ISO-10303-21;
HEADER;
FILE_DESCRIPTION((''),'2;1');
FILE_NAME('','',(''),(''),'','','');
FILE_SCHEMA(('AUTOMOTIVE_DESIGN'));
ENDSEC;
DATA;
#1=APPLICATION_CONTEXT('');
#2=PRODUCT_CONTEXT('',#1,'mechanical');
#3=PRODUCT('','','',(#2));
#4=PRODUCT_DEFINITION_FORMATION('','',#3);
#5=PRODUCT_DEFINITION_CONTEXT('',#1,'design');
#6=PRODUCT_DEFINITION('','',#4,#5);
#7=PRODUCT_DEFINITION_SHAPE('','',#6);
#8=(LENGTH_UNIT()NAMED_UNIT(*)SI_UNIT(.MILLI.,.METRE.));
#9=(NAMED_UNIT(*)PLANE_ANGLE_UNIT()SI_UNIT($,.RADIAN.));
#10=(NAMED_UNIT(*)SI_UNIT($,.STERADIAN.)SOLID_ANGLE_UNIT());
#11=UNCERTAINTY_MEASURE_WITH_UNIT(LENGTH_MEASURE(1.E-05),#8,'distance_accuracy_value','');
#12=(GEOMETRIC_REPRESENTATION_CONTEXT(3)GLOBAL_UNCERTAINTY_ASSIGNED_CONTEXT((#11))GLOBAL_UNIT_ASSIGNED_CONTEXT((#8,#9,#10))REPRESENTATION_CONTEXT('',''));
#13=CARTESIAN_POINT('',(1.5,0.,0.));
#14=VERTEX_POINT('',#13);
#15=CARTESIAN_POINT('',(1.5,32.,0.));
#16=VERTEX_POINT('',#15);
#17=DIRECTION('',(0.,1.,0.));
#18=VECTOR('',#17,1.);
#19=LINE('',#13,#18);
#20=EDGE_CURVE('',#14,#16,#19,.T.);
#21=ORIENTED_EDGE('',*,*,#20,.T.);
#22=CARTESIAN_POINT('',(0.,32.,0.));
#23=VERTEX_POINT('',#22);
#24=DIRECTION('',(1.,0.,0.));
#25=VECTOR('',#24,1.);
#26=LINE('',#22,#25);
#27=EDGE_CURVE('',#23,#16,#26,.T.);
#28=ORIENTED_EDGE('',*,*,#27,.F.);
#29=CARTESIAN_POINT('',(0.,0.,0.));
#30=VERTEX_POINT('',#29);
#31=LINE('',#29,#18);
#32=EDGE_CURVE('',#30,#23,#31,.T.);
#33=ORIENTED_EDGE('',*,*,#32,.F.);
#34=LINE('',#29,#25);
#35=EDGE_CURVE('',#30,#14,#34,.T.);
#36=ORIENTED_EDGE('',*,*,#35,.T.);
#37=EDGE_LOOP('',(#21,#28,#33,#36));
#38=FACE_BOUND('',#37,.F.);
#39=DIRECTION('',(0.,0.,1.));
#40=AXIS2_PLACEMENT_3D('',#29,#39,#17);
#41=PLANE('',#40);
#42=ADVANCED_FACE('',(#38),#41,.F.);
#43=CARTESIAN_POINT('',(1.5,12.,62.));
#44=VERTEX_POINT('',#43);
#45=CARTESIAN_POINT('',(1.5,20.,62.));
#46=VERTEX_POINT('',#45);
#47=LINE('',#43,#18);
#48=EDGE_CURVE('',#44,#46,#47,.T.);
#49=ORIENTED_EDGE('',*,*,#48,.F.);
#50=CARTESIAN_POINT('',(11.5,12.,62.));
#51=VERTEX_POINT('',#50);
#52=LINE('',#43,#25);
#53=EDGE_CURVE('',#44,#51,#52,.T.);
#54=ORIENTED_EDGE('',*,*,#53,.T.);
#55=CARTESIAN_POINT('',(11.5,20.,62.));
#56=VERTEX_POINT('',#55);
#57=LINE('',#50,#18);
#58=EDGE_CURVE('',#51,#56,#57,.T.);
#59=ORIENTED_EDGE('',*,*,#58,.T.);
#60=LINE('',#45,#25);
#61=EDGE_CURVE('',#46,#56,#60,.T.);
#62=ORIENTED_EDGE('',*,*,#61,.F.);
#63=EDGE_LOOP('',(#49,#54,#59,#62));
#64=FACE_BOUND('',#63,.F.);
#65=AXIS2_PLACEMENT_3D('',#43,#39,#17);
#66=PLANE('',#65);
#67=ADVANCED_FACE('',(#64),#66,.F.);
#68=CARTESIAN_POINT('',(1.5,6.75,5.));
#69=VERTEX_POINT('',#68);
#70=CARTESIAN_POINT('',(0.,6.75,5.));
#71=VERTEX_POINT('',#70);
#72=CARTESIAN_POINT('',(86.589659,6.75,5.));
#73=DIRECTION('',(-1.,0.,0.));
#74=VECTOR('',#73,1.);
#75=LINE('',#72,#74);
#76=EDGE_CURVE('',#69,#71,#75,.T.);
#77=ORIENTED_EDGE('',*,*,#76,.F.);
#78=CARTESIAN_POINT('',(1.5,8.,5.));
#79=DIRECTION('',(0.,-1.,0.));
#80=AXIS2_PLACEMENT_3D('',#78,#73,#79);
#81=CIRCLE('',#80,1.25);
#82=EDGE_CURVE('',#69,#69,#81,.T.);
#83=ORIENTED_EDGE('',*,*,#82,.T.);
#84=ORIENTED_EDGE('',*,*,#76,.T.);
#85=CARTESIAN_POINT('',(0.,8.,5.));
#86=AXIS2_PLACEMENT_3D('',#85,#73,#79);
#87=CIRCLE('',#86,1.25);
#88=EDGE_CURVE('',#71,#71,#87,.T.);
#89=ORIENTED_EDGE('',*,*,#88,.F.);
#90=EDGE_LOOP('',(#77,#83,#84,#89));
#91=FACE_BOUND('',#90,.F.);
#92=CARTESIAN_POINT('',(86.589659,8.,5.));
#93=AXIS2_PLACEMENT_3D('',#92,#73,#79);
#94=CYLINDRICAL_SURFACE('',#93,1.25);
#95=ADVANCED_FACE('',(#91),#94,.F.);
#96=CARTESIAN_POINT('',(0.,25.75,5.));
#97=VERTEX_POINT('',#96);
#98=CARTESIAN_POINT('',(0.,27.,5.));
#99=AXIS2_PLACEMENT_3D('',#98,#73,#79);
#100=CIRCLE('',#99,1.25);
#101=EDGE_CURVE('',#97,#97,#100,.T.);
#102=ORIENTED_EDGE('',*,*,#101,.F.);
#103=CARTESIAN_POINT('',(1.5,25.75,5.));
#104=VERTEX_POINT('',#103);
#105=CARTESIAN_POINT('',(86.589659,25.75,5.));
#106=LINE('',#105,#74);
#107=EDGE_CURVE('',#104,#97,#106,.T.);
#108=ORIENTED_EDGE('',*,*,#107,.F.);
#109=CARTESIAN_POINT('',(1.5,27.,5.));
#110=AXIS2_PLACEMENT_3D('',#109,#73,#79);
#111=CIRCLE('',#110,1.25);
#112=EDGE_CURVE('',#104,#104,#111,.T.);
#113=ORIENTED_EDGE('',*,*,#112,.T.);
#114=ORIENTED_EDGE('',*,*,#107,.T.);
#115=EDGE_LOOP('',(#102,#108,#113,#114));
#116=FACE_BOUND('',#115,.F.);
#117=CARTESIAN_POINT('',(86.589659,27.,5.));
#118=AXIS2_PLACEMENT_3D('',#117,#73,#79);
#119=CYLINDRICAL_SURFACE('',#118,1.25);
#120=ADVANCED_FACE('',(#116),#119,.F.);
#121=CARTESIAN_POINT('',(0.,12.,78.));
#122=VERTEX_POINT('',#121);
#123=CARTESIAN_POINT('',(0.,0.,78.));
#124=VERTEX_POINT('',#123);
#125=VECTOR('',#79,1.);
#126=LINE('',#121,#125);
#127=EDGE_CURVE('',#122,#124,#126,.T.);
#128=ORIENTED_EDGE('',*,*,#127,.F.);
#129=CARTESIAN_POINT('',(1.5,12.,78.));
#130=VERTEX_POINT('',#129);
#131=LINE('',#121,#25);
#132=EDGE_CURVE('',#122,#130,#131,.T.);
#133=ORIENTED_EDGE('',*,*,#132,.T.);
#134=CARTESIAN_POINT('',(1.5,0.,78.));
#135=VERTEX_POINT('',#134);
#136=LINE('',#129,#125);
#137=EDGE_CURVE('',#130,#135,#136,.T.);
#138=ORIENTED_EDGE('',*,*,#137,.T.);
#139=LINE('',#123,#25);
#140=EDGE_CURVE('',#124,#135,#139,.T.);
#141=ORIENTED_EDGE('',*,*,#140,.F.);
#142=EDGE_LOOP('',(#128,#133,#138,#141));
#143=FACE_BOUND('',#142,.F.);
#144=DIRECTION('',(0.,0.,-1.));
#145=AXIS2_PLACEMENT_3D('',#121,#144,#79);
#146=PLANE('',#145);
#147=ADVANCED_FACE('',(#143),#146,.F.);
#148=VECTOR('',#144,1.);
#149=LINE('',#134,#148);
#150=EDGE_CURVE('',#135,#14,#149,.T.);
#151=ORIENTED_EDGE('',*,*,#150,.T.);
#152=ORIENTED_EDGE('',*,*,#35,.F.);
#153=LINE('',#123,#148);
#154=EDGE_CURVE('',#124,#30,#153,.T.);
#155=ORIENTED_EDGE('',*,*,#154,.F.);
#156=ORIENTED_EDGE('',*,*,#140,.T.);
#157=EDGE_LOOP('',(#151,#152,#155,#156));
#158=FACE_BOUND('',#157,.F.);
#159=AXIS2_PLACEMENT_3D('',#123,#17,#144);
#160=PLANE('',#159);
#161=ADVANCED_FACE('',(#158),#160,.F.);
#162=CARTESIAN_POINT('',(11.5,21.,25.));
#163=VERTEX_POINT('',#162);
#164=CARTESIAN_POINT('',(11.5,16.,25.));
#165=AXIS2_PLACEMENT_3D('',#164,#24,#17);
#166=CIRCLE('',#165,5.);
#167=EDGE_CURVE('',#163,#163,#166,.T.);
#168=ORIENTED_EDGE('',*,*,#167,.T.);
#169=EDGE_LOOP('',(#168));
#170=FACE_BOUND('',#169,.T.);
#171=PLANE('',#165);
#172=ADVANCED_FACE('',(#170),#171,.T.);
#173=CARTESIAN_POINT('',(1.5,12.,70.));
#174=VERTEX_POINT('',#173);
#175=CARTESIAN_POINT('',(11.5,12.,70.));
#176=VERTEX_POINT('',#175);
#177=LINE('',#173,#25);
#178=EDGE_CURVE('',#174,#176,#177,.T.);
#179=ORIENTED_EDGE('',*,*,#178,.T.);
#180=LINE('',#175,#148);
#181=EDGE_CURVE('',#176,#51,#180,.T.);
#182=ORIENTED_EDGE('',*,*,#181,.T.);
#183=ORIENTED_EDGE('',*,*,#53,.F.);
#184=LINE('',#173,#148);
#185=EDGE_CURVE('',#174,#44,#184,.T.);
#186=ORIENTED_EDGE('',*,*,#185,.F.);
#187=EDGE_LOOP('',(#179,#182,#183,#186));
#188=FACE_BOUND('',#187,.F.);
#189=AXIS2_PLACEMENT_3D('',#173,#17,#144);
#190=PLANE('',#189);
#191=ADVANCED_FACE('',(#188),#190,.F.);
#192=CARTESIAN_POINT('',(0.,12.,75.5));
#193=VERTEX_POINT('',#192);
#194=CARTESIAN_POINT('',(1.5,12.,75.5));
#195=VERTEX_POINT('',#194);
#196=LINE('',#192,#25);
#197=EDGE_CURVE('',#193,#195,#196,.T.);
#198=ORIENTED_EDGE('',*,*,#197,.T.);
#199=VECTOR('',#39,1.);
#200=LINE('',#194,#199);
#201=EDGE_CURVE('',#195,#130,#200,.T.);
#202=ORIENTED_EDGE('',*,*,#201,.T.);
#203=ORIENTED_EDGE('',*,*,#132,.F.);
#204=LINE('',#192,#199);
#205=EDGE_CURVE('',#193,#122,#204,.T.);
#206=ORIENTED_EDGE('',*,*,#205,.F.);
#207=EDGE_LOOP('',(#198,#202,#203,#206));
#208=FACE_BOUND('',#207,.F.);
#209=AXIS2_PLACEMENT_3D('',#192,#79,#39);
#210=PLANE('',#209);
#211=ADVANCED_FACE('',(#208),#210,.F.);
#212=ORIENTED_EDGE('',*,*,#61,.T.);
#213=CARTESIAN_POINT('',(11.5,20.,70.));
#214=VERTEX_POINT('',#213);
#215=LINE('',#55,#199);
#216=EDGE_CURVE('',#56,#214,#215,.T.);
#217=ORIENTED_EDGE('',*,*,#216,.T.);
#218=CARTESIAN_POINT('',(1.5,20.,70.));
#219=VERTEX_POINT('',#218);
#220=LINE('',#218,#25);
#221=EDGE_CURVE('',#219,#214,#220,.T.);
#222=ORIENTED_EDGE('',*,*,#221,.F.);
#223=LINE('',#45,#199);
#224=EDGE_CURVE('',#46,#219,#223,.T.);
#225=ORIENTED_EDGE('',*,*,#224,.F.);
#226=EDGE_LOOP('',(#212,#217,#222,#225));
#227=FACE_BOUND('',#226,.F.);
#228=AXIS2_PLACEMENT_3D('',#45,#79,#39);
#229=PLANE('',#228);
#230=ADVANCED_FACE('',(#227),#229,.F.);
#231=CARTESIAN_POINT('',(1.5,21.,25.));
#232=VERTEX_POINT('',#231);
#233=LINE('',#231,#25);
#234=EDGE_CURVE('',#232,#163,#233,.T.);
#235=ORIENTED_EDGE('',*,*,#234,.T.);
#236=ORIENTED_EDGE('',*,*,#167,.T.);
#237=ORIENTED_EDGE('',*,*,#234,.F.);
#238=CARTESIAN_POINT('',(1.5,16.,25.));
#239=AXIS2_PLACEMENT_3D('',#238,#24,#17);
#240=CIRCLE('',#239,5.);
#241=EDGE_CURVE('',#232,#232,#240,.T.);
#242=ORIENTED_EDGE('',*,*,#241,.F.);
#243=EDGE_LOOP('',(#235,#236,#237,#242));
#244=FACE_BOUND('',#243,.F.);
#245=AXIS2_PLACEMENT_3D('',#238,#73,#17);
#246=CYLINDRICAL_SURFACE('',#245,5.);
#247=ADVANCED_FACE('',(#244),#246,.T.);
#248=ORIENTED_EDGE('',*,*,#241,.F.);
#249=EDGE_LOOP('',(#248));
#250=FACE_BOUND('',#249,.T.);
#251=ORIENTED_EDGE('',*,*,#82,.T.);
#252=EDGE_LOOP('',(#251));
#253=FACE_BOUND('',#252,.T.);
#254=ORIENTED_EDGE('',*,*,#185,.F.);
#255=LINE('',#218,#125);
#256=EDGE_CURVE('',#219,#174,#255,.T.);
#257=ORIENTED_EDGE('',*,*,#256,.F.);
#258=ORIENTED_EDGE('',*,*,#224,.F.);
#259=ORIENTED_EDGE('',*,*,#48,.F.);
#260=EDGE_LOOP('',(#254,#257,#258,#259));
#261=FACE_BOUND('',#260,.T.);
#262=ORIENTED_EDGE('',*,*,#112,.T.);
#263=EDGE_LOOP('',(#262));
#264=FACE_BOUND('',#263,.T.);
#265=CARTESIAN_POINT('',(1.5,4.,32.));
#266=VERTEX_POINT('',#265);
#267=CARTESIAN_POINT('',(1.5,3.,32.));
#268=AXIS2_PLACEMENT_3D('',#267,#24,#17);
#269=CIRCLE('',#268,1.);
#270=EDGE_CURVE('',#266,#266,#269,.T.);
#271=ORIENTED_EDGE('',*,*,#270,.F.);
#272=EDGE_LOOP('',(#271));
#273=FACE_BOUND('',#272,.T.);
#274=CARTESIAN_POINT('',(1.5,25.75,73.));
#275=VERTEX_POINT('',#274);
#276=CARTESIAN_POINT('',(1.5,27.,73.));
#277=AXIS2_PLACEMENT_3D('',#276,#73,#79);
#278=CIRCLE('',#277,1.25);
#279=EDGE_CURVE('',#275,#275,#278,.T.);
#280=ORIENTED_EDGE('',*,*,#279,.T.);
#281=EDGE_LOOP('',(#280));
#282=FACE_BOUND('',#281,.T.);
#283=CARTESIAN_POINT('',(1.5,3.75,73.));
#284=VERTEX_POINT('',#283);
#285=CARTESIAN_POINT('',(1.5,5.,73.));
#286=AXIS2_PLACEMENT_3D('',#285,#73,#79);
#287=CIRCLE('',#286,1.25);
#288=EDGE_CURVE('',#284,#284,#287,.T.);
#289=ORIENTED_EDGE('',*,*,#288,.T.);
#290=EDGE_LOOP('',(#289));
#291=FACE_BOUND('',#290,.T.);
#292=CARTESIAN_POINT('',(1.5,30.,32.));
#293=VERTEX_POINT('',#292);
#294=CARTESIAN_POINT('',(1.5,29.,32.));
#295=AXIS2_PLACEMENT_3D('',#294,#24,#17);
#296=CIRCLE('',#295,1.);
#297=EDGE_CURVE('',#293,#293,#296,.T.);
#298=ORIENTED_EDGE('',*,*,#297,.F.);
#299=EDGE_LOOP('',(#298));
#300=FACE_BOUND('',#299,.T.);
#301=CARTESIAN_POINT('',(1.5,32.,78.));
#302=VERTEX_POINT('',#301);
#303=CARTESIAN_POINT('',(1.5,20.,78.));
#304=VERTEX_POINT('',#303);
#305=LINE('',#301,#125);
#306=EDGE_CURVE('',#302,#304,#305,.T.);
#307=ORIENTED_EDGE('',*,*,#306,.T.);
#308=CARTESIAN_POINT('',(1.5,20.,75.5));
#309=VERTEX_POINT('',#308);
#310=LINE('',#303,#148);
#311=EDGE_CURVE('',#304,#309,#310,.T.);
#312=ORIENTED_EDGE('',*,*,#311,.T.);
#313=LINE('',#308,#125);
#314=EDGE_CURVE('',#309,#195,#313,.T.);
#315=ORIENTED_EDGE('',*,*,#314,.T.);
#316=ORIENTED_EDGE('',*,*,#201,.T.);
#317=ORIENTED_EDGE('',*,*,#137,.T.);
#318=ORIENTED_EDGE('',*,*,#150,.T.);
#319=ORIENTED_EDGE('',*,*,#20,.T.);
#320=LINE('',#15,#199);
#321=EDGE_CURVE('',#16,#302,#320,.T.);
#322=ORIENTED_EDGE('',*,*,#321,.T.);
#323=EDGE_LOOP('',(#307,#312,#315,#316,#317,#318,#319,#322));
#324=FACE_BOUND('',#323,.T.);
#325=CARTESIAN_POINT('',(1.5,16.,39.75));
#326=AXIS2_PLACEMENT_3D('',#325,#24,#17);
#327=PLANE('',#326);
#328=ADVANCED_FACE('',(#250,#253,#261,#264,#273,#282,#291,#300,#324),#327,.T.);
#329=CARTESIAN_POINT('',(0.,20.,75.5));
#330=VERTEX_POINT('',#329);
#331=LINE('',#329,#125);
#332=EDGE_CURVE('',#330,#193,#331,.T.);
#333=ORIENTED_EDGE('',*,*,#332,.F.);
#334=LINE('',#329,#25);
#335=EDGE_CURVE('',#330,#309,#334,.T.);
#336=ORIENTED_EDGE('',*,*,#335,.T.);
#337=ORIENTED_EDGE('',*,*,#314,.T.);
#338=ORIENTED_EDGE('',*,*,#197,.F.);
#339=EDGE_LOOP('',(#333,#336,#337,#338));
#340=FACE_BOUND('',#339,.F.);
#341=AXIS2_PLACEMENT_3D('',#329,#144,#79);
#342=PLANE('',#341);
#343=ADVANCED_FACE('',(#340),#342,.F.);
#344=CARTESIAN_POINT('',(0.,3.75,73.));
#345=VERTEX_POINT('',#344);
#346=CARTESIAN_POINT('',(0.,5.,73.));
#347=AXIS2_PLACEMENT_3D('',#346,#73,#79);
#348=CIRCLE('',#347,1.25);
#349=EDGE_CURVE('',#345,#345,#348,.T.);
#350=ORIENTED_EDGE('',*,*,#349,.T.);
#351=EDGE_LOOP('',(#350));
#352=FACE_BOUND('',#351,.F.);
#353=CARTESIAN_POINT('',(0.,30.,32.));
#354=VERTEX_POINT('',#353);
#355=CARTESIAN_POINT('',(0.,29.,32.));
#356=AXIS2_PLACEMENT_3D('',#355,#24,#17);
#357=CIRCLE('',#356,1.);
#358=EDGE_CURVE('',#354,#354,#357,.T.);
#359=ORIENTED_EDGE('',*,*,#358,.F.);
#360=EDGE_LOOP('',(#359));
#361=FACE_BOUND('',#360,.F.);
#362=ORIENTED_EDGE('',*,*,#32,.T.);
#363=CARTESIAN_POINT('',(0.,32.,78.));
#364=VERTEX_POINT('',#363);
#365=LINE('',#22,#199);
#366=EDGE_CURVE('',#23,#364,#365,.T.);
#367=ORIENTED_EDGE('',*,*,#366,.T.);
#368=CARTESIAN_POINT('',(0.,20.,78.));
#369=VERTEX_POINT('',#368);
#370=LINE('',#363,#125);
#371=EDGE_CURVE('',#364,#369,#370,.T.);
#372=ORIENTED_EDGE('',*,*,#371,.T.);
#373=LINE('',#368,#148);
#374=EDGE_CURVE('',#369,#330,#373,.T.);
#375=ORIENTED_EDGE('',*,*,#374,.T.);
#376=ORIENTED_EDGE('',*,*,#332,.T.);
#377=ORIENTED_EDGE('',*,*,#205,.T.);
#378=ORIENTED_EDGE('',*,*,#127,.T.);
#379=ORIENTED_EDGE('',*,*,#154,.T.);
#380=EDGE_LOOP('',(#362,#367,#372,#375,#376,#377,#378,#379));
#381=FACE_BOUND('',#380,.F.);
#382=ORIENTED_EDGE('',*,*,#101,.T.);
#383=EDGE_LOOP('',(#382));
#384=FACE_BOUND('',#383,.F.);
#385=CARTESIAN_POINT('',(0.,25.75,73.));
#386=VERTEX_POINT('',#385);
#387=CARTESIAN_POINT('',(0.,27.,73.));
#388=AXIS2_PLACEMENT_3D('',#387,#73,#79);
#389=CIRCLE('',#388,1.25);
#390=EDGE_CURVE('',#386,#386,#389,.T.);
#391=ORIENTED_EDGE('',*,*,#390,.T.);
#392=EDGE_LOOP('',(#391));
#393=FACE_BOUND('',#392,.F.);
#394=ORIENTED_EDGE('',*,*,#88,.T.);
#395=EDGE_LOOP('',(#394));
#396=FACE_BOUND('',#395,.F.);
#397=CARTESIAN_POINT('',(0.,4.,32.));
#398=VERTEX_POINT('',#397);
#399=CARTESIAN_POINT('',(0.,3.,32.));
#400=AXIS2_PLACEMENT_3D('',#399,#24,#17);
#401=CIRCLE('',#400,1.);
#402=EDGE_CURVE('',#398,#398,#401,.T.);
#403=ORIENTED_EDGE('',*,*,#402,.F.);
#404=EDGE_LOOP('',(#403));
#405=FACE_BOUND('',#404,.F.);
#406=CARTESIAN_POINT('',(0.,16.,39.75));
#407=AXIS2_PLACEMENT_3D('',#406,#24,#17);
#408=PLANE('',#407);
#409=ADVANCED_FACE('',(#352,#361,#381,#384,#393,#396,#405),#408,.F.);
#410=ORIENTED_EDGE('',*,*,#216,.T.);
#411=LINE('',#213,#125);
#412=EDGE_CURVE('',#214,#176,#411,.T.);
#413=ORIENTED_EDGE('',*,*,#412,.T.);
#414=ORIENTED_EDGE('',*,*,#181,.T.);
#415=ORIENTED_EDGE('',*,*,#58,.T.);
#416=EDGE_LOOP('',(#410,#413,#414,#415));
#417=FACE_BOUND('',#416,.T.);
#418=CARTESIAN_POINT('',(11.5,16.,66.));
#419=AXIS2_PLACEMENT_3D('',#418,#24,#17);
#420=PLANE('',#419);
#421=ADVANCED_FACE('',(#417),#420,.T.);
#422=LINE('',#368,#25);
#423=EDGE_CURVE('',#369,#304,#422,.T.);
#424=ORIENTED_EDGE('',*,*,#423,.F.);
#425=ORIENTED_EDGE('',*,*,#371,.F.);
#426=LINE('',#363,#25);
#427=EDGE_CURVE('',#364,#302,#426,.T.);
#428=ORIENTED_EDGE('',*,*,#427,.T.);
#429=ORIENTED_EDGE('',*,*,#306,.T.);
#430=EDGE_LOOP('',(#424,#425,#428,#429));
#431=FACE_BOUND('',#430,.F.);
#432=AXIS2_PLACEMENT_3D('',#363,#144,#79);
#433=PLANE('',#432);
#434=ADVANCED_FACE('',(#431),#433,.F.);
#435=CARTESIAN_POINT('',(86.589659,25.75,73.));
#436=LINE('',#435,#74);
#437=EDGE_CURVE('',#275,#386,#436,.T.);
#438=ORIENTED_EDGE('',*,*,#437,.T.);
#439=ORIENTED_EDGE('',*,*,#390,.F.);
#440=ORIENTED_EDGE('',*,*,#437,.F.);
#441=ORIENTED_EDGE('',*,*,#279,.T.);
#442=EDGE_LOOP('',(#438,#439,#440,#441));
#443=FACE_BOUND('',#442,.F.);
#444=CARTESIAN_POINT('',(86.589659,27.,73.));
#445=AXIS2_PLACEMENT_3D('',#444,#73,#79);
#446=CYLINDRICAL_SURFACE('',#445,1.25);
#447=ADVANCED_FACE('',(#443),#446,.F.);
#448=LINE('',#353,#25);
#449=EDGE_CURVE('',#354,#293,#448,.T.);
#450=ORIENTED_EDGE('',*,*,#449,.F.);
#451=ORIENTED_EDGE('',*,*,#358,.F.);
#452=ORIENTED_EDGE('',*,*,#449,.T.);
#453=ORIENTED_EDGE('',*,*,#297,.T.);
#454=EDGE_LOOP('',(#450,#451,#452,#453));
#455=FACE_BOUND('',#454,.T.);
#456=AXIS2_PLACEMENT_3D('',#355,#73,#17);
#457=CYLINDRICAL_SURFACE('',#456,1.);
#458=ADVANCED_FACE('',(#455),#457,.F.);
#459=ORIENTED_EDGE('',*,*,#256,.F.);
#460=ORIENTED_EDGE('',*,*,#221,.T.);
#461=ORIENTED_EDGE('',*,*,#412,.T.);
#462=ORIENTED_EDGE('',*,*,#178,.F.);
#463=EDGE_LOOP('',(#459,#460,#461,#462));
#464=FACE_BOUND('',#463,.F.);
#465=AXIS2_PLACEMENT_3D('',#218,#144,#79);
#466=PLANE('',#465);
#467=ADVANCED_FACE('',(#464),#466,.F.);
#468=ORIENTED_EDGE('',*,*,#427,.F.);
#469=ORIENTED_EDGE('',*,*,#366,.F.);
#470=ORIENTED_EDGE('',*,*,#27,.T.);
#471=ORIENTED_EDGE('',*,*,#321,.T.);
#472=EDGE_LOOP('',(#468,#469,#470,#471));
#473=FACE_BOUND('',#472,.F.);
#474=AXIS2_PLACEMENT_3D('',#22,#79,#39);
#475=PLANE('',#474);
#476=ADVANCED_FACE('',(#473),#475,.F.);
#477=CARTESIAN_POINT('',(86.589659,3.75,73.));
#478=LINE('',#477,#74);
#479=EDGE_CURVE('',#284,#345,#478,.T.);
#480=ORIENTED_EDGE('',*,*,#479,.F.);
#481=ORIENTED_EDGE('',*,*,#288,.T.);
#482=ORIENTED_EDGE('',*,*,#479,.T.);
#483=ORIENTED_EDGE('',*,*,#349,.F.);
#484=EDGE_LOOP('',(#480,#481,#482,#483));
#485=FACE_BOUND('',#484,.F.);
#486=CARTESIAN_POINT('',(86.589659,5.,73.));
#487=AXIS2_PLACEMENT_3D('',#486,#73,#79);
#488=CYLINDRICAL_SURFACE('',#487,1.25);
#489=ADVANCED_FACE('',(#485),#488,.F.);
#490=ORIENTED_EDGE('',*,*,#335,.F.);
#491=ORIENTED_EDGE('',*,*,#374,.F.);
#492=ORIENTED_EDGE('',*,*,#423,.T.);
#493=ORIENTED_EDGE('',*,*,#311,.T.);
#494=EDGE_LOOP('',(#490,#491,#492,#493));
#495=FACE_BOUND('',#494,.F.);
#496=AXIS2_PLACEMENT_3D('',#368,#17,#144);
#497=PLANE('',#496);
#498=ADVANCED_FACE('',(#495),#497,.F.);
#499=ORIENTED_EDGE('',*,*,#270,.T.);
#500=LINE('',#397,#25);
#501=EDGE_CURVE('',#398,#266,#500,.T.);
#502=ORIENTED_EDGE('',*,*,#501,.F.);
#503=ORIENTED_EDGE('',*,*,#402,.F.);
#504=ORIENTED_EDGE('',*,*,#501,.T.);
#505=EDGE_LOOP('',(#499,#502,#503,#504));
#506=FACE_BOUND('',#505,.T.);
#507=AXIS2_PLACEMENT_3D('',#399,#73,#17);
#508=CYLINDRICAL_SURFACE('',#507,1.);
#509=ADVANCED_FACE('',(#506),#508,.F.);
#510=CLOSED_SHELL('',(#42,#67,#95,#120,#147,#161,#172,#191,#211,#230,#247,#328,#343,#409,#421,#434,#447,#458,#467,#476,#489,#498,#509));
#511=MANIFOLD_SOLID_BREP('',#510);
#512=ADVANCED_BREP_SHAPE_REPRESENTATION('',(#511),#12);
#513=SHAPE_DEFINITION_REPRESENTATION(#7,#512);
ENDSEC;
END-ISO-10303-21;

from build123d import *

# Parameters (mm, degrees)
F0_R     = 1
F1_DEPTH = 1.5
F2_R     = 5
F3_DEPTH = 10
F5_DEPTH = 10
F7_D     = 2.5


with BuildPart() as f1:
    # F0 (on Right) → F1 (new body)
    with BuildSketch(Plane.YZ):
        Polygon((0, 78), (0, 0), (32, 0), (32, 78), (20, 78), (20, 75.5), (12, 75.5), (12, 78), align=None)
        with Locations((3, 32)):
            Circle(F0_R, mode=Mode.SUBTRACT)
        with Locations((29, 32)):
            Circle(F0_R, mode=Mode.SUBTRACT)
    extrude(amount=F1_DEPTH)

    # F2 (on face) → F3 (join)
    with BuildSketch(Plane.YZ.offset(1.5)):
        with Locations((16, 25)):
            Circle(F2_R)
    extrude(amount=F3_DEPTH)

    # F4 (on face) → F5 (join)
    with BuildSketch(Plane.YZ.offset(1.5)):
        Polygon((20, 70), (16, 70), (12, 70), (12, 62), (20, 62), align=None)
    extrude(amount=F5_DEPTH)

    # F7 (through all)
    with Locations(Plane.YZ.offset(1.5)):
        with Locations((5, 73), (27, 73), (27, 5), (8, 5)):
            Hole(F7_D / 2)


solid = f1.part
